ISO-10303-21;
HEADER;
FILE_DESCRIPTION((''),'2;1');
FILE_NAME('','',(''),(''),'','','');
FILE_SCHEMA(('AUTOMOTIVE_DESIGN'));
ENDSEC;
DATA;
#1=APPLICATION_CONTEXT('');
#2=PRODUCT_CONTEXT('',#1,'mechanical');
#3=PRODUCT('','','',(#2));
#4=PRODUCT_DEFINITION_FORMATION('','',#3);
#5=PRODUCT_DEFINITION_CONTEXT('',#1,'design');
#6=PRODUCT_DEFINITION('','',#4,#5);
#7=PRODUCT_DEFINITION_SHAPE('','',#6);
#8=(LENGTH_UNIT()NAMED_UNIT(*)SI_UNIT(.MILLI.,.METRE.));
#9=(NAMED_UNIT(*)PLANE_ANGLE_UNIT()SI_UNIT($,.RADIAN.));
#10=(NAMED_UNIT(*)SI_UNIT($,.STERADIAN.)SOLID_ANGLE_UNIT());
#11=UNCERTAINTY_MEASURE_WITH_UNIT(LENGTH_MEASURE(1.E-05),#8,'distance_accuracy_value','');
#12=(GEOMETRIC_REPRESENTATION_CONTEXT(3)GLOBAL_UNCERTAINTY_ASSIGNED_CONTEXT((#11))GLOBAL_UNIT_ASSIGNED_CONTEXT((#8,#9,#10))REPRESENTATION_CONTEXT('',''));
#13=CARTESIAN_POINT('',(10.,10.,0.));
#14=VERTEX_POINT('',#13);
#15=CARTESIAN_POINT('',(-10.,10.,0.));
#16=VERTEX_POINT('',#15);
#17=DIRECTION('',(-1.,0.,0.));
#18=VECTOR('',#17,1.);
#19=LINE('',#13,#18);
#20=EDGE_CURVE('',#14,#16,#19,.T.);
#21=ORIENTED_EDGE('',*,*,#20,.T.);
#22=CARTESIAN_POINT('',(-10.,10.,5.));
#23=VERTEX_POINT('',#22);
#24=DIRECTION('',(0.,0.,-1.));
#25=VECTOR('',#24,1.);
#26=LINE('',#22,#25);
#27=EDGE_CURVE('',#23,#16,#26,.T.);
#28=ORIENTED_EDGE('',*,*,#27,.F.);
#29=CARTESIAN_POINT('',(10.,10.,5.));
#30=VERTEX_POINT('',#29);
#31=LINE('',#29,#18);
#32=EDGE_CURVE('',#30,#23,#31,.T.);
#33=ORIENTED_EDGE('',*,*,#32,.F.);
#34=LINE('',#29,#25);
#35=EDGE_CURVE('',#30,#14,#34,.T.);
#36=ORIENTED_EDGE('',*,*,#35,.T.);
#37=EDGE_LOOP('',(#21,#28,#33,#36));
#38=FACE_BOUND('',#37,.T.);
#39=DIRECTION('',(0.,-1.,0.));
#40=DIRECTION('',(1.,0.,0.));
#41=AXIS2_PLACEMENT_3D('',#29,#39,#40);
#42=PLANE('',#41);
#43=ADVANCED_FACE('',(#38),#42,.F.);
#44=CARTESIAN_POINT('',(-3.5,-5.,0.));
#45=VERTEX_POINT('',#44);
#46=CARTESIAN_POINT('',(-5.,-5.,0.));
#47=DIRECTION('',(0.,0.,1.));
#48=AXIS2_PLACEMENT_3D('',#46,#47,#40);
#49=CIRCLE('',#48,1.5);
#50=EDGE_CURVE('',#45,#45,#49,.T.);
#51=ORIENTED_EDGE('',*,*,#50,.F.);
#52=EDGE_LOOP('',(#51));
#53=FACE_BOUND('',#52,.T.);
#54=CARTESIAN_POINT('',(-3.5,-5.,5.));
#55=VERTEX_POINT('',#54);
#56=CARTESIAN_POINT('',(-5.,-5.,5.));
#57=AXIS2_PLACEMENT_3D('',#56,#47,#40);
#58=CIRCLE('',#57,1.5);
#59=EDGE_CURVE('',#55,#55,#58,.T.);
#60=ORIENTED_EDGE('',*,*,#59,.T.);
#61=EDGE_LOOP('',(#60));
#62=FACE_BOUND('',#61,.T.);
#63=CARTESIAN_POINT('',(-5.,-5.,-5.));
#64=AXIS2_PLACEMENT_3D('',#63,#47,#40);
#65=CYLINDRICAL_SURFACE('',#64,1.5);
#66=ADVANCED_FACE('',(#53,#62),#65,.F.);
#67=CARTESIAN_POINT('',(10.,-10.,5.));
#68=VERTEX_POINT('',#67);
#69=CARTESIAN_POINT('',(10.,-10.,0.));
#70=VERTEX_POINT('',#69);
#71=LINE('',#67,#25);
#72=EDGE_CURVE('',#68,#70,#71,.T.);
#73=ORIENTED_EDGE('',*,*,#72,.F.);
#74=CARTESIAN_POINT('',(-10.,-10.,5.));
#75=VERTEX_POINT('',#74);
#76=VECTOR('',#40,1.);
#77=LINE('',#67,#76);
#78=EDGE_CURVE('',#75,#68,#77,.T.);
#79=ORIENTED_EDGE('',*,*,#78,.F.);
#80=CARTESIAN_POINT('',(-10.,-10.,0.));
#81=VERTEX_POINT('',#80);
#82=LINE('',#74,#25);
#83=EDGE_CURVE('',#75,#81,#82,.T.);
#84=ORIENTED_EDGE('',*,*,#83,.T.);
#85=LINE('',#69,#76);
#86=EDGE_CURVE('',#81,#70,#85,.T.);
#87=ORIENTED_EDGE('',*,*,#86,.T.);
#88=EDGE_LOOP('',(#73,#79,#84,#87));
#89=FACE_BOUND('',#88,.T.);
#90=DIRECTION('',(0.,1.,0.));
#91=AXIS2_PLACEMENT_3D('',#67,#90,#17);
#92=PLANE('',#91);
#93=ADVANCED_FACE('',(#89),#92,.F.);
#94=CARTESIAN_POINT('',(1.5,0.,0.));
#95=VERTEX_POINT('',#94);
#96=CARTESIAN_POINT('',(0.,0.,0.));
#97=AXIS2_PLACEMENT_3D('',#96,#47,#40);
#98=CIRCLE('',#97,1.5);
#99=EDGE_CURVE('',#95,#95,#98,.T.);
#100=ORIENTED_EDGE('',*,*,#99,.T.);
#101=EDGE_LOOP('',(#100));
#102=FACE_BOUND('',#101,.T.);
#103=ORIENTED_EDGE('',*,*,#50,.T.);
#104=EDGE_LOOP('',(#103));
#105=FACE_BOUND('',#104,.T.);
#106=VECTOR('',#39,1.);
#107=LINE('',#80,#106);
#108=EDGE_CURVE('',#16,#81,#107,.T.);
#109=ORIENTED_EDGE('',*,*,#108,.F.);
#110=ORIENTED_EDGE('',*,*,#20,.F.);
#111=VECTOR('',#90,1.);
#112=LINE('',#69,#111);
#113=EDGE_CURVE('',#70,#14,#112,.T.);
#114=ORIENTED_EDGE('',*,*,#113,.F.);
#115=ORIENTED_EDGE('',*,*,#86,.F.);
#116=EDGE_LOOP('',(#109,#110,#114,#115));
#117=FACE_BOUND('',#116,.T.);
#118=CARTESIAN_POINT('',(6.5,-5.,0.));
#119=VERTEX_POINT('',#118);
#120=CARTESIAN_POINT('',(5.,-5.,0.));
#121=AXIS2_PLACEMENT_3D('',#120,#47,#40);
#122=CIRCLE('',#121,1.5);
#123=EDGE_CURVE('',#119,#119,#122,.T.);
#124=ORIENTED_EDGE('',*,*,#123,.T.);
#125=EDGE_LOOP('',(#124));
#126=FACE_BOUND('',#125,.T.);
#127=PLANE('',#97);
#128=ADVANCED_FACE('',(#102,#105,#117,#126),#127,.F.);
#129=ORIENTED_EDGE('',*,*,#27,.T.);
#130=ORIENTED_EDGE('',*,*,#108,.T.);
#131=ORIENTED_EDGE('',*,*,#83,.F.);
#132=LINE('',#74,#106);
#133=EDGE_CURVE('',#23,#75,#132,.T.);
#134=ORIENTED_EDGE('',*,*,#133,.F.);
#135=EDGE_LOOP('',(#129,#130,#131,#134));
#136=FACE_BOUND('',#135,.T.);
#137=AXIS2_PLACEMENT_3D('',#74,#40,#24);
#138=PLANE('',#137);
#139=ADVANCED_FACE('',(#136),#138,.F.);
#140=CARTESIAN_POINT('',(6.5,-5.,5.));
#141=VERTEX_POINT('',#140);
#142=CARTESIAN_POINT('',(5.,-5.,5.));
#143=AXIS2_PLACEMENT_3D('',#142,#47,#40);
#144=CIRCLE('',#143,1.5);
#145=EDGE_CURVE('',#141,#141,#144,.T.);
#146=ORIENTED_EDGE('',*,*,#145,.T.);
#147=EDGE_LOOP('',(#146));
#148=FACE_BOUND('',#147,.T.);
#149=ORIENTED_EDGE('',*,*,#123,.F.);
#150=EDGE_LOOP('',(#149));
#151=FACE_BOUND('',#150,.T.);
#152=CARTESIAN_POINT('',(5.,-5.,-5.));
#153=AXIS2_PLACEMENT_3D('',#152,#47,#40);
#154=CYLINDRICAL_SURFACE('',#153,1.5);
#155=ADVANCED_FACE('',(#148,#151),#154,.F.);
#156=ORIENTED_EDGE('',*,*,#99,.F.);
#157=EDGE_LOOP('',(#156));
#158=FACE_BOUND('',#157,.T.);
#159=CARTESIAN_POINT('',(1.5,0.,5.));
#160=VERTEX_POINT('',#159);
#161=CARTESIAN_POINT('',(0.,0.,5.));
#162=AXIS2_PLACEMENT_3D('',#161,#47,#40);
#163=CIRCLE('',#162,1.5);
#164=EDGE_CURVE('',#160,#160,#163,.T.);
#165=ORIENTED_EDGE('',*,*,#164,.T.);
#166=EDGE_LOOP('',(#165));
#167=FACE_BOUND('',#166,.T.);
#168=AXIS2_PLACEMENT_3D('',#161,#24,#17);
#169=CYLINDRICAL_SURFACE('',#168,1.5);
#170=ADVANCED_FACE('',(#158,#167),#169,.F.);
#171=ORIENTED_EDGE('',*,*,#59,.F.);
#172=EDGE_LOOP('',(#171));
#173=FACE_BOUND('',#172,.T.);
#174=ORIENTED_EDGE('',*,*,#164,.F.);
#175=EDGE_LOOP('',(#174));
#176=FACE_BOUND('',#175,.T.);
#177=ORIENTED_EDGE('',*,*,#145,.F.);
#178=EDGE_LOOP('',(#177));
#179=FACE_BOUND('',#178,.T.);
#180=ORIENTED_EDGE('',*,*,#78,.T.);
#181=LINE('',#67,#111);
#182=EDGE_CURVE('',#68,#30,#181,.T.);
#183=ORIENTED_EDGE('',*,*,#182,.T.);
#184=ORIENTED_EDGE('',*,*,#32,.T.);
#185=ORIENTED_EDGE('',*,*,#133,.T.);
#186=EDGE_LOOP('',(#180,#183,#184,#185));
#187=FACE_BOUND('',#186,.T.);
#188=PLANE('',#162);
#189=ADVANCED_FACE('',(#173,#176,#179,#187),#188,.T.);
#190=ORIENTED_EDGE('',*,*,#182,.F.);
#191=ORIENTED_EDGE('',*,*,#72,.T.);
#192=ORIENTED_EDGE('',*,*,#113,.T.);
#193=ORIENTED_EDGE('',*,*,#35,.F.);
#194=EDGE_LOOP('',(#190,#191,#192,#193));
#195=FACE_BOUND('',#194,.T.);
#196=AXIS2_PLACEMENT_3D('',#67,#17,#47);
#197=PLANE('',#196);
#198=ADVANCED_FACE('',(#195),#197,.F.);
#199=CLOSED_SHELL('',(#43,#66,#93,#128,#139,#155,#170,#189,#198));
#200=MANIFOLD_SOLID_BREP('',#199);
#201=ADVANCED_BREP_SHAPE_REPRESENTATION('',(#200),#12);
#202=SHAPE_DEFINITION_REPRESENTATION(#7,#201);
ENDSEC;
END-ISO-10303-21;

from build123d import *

# Parameters (mm, degrees)
SKETCH_1_W          = 20
SKETCH_1_H          = 20
SKETCH_1_R          = 1.5
EXTRUDE_1_DEPTH     = 5
SKETCH_2_R          = 1.5
CUT_EXTRUDE_1_DEPTH = 10


with BuildPart() as part:
    # 草图1 → 凸台-拉伸1 (new body)
    with BuildSketch(Plane.XY):
        Rectangle(SKETCH_1_W, SKETCH_1_H)
        Circle(SKETCH_1_R, mode=Mode.SUBTRACT)
    extrude(amount=EXTRUDE_1_DEPTH)

    # 草图2 → 切除-拉伸1 (cut)
    with BuildSketch(Plane.XY.offset(5)):
        with Locations((-5, -5)):
            Circle(SKETCH_2_R)
        with Locations((5, -5)):
            Circle(SKETCH_2_R)
    extrude(amount=-CUT_EXTRUDE_1_DEPTH, mode=Mode.SUBTRACT)


solid = part.part
